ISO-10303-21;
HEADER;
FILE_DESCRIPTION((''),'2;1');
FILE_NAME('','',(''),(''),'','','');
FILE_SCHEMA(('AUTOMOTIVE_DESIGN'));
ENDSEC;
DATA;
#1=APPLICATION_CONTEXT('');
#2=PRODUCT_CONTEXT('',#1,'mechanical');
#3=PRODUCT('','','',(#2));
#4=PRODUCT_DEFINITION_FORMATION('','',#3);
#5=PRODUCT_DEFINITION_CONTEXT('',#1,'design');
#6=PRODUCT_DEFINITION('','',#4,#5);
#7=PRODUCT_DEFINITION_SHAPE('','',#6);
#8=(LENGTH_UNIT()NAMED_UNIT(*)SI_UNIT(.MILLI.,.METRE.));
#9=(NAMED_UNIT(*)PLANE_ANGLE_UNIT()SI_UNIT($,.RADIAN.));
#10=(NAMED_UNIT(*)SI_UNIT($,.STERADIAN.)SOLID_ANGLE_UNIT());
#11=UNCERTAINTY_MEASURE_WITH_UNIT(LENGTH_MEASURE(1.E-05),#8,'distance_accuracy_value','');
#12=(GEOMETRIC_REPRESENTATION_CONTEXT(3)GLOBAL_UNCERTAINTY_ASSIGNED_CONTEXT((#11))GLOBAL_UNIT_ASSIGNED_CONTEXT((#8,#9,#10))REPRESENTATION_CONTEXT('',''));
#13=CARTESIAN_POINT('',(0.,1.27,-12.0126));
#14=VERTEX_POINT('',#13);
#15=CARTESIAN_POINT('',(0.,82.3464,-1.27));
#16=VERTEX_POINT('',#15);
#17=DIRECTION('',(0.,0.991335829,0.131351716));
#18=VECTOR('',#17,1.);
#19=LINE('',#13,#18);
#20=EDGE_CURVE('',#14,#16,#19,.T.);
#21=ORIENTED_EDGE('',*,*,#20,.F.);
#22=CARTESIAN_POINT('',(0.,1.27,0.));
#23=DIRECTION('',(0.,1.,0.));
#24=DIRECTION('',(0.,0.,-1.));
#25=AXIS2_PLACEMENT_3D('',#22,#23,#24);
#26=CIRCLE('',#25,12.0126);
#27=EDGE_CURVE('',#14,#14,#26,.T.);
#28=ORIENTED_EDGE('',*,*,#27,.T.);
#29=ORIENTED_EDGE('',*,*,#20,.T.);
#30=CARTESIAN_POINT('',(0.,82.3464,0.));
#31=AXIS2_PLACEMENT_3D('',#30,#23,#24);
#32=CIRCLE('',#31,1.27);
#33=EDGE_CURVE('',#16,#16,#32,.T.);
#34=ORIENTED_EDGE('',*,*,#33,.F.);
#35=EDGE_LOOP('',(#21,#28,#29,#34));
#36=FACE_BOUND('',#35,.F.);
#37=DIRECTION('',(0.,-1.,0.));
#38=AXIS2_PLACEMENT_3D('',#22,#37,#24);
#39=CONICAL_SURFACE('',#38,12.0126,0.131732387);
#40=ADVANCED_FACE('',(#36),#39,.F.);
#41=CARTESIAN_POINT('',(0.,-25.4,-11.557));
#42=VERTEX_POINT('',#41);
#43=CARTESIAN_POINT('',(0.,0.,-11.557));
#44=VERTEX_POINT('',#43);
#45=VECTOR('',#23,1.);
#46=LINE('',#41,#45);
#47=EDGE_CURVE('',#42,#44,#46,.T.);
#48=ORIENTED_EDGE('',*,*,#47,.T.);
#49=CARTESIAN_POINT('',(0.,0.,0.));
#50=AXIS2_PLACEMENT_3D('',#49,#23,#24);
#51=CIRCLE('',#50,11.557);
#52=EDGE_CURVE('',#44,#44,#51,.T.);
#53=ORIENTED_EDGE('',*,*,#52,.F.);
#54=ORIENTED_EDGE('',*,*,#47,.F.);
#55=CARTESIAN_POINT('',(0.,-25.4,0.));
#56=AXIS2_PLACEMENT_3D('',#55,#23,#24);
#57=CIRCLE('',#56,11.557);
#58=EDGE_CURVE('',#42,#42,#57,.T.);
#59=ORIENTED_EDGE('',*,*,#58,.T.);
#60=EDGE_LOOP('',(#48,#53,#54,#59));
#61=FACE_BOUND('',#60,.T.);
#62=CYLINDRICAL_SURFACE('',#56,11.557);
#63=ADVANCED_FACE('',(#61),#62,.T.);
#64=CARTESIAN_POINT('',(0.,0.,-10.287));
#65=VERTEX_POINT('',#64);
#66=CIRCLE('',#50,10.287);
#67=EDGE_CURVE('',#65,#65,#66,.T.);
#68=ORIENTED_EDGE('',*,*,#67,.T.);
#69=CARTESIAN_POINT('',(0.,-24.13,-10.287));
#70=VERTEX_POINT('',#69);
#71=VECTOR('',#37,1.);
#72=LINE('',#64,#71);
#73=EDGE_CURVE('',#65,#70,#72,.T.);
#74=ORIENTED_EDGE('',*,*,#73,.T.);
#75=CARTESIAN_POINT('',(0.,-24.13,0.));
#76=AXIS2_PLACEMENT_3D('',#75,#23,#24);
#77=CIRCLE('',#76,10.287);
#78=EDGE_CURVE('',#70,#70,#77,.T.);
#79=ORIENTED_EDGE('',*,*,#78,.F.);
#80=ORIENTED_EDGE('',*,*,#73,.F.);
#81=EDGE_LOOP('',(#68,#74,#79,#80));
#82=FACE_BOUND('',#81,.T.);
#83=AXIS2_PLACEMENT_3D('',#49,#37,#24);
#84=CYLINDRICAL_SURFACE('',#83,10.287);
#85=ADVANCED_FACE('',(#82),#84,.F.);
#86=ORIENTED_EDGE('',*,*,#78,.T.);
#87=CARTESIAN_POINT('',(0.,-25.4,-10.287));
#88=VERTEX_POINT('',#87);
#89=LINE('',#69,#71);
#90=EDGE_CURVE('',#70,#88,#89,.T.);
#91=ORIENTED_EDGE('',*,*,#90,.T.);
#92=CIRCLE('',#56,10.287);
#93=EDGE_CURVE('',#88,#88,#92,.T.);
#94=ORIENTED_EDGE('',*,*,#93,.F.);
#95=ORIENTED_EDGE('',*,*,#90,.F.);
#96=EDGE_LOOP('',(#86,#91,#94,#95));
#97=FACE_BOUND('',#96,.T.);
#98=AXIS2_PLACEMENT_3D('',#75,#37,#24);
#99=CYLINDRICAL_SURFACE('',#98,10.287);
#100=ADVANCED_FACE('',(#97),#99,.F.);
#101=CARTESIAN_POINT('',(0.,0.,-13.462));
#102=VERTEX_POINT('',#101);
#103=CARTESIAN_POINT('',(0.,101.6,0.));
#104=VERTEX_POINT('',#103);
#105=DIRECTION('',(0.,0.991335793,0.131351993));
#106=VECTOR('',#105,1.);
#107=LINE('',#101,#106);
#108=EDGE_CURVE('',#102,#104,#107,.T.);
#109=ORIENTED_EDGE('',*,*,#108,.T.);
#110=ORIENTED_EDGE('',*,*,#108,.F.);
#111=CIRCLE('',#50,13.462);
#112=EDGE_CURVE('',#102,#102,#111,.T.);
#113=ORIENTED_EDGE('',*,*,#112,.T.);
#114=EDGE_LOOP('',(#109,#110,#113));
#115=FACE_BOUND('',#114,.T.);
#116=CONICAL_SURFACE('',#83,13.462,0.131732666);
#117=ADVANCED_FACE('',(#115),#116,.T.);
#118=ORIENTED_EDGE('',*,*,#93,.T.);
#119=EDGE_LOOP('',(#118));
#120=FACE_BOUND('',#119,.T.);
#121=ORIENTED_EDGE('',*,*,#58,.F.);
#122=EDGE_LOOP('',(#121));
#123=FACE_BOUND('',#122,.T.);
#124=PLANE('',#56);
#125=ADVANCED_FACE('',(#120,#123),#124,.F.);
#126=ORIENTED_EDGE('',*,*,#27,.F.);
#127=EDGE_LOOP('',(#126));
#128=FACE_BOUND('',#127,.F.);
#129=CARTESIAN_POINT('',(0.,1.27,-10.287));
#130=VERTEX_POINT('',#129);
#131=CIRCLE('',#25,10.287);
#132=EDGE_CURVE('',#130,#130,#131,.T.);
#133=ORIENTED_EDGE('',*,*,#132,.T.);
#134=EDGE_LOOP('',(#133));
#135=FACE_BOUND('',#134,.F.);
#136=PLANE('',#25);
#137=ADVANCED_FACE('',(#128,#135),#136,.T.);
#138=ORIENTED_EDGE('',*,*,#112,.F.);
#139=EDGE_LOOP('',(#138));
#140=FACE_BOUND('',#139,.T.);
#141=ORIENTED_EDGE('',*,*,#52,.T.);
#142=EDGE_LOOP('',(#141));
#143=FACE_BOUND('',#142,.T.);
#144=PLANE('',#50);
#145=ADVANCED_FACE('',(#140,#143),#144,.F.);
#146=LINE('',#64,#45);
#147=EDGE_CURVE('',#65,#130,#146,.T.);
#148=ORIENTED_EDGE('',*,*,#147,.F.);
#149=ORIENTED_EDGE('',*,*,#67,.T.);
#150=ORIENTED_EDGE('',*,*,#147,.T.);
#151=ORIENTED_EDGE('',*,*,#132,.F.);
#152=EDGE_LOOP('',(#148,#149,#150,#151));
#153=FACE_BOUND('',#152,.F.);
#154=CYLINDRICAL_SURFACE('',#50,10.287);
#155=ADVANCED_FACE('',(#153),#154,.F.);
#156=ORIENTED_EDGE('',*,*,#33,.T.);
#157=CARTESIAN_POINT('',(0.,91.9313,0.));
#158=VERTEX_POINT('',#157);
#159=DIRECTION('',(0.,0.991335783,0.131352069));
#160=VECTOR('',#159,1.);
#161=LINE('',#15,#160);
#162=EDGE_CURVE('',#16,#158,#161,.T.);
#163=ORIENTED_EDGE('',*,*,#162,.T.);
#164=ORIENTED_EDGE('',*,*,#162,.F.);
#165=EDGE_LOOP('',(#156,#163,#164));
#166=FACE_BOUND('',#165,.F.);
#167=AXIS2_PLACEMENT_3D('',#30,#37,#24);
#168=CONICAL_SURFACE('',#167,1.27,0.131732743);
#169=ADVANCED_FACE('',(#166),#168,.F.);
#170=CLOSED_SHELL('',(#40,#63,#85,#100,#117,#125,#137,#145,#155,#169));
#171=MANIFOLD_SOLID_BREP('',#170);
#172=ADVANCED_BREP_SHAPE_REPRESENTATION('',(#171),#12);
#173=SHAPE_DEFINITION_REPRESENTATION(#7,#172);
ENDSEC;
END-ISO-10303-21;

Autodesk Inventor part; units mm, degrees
ref_plane "YZ Plane" through (0, 0, 0) normal (1, 0, 0) x (0, 1, 0)
ref_plane "XZ Plane" through (0, 0, 0) normal (0, 1, 0) x (-1, 0, 0)
ref_plane "XY Plane" through (0, 0, 0) normal (0, 0, 1) x (1, 0, 0)
sketch "Sketch1" plane through (0, 0, 0) normal (1, 0, 0) x (0, 1, 0)
  line L0 (0, 0) -> (101.6, 0)
  line L1 (0, -11.557) -> (0, -13.462)
  line L2 (0, -13.462) -> (101.6, 0)
  line L3 (0, 0) -> (-25.4, 0)
  line L4 (-25.4, 0) -> (-25.4, -11.557)
  line L5 (-25.4, -11.557) -> (0, -11.557)
  line L6 (1.27, -10.287) -> (1.27, -12.0126)
  line L7 (1.27, -12.0126) -> (82.3464, -1.27)
  line L8 (0, -10.287) -> (-24.13, -10.287)
  line L9 (82.3464, -1.27) -> (91.9313, 0)
  line L10 (0, -10.287) -> (1.27, -10.287)
  line L11 (-24.13, -10.287) -> (-25.4, -10.287)
  dimension "d0" = 101.6
  dimension "d1" = 13.462
  dimension "d2" = 25.4
  dimension "d3" = 11.557
  dimension "d4" = 1.27
  dimension "d5" = 1.27
revolve "Revolution1" add sketch "Sketch1" angle 360 about axis through (0, 0, 0) along (0, 1, 0) contours L0 L2 L1 L5 L4 L11 L8 L10 L6 L7 L9
sketch "Sketch2" plane through (0, -25.4, 0) normal (0, -1, 0) x (1, 0, 0)
  circle A0 centre (0, 0) radius 11.557
  circle A1 centre (0, 0) radius 11.811
  circle A2 centre (0, 0) radius 11.557 projected
  line L0 (-0.0952, -11.5566) -> (-1.6827, -11.5566)
  line L1 (-1.6827, -11.5566) -> (1.4923, -11.5566)
  line L2 (-1.6827, -11.5566) -> (1.4923, -11.5566) construction
  line L3 (0, 0) -> (-15.1978, 0)
  line L4 (-11.557, 0) -> (-11.557, -1.5875)
  line L5 (-11.557, 0) -> (-9.9695, 0) construction
  line L6 (-11.557, 0) -> (-11.557, 1.5875)
  line L7 (-0.0029, 11.557) -> (-1.5904, 11.557)
  line L8 (-0.0029, 11.557) -> (1.5846, 11.557)
  line L9 (11.557, -0.0003) -> (11.557, 1.5872)
  line L10 (11.557, -0.0003) -> (13.1445, -0.0003) construction
  line L11 (11.557, 1.5872) -> (11.557, -1.5806)
  line L12 (1.5846, 11.7042) -> (1.5846, 11.4479)
  line L13 (1.5846, 11.7042) -> (1.8409, 11.7042) construction
  line L14 (-1.5846, 11.7042) -> (-1.5846, 11.4479)
  line L15 (-1.5846, 11.7042) -> (-1.3282, 11.7042) construction
  line L16 (-11.4484, 1.5806) -> (-11.7048, 1.5806)
  line L17 (-11.7048, -1.5806) -> (-11.4474, -1.5882)
  line L18 (11.7048, -1.5806) -> (11.4484, -1.5806)
  circle A3 centre (0, 0) radius 11.557
  circle A4 centre (0, 0) radius 11.811
  line L19 (-11.7042, -1.5846) -> (-11.4479, -1.5846)
  line L20 (-11.7042, -1.5846) -> (-11.7042, -1.3282) construction
  line L21 (-11.557, -0.0029) -> (-11.557, -1.5904)
  line L22 (-11.557, -0.0029) -> (-11.557, 1.5846)
  line L23 (-11.7042, 1.5846) -> (-11.4479, 1.5846)
  line L24 (-11.7042, 1.5846) -> (-11.7042, 1.8409) construction
  circle A5 centre (0, 0) radius 11.557
  circle A6 centre (0, 0) radius 11.811
  line L25 (1.5846, -11.7042) -> (1.5846, -11.4479)
  line L26 (1.5846, -11.7042) -> (1.3282, -11.7042) construction
  line L27 (0.0029, -11.557) -> (1.5904, -11.557)
  line L28 (0.0029, -11.557) -> (-1.5846, -11.557)
  line L29 (-1.5846, -11.7042) -> (-1.5846, -11.4479)
  line L30 (-1.5846, -11.7042) -> (-1.8409, -11.7042) construction
  circle A7 centre (0, 0) radius 11.557
  circle A8 centre (0, 0) radius 11.811
  line L31 (11.7042, 1.5846) -> (11.4479, 1.5846)
  line L32 (11.7042, 1.5846) -> (11.7042, 1.3282) construction
  line L33 (11.557, 0.0029) -> (11.557, 1.5904)
  line L34 (11.557, 0.0029) -> (11.557, -1.5846)
  line L35 (11.7042, -1.5846) -> (11.4479, -1.5846)
  line L36 (11.7042, -1.5846) -> (11.7042, -1.8409) construction
  point P0 (11.5566, -0.0952)
  point P1 (0.0003, 11.557)
  point P2 (-1.5806, -11.4484)
  point P3 (1.5882, -11.4474)
  point P4 (-1.5806, -11.7048)
  point P5 (1.5806, -11.7048)
  point P6 (1.5806, 11.7048)
  point P7 (0.0952, 11.5566)
  point P8 (-11.557, 0.0003)
  point P9 (11.4484, -1.5806)
  point P10 (11.4474, 1.5882)
  point P11 (11.7048, -1.5806)
  point P12 (11.7048, 1.5806)
  point P13 (-11.7048, 1.5806)
  point P14 (-11.5566, 0.0952)
  point P15 (-0.0003, -11.557)
  point P16 (1.5806, 11.4484)
  point P17 (-1.5882, 11.4474)
  point P18 (1.5806, 11.7048)
  point P19 (-1.5806, 11.7048)
  point P20 (-1.5806, -11.7048)
  dimension "d7" = 0.254
  dimension "d8" = 1.5875
  dimension "d9" = 3.175
  dimension "d10" = 0
  dimension "d11" = 1.5875
  dimension "d12" = 90
  dimension "d13" = 1.5875
  dimension "d14" = 1.5875
  dimension "d15" = 1.5875
  dimension "d20" = 90
  dimension "d21" = 90
  dimension "d25" = 360
properties part number "Nose Cone MK II [incomplete]"
